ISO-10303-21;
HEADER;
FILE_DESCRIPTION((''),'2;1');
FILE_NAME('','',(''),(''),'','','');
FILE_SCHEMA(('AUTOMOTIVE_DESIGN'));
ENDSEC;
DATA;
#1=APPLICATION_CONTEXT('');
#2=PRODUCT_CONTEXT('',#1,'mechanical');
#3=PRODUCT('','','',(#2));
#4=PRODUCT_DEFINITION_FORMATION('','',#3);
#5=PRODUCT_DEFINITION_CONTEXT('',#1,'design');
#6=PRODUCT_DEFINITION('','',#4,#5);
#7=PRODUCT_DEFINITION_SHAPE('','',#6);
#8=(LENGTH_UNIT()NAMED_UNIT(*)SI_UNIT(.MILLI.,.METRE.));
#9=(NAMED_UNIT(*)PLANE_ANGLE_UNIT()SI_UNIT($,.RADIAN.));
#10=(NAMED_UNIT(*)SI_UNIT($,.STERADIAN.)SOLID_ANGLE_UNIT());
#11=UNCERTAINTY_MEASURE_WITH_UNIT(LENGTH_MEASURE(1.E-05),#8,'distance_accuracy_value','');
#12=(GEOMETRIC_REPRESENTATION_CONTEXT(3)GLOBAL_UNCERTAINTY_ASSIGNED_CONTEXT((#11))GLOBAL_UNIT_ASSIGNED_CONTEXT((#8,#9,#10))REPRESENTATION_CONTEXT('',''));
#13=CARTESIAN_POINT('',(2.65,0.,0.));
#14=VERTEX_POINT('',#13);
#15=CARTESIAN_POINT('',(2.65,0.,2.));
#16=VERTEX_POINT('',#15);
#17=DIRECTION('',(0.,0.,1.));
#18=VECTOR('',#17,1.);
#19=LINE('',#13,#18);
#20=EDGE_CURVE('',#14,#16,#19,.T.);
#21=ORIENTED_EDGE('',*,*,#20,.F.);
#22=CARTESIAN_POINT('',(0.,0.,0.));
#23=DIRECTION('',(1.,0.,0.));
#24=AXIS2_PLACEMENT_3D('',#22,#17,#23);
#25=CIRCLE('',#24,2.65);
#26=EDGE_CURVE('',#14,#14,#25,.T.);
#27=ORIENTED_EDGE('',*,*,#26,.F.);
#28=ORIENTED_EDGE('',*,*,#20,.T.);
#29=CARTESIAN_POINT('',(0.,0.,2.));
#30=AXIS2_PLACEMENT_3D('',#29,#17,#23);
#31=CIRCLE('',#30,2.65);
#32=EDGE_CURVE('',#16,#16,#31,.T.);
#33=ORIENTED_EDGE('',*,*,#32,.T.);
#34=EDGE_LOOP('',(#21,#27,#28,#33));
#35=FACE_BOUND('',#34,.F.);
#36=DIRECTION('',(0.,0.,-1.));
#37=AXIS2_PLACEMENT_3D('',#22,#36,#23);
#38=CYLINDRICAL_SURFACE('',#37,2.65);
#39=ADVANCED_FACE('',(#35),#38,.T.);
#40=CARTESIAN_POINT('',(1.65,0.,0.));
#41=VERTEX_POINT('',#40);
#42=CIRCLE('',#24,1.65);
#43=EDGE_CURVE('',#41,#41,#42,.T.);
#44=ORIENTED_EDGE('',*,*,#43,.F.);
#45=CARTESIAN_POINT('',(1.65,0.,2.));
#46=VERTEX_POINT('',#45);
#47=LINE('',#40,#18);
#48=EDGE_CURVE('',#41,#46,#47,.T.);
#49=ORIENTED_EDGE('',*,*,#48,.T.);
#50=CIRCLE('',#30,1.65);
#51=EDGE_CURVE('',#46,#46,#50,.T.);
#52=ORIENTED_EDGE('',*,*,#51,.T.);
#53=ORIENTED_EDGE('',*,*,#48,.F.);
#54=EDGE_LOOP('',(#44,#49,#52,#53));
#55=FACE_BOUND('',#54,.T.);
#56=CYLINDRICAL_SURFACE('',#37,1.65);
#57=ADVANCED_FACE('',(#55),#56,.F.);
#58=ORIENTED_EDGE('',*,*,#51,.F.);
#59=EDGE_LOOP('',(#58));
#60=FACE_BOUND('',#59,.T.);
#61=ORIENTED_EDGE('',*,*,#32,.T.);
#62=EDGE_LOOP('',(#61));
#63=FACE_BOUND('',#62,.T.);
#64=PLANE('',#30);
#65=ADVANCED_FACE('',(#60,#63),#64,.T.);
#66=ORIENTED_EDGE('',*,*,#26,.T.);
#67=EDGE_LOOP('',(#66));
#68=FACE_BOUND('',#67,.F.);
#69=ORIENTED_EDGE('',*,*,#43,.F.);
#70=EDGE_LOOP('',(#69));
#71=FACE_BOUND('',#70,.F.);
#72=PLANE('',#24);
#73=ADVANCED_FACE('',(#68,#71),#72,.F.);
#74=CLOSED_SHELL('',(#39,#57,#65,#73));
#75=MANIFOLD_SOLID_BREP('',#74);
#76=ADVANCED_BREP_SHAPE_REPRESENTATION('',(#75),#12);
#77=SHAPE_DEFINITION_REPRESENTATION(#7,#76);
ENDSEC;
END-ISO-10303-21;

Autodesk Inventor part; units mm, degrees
ref_plane "YZ Plane" through (0, 0, 0) normal (1, 0, 0) x (0, 1, 0)
ref_plane "XZ Plane" through (0, 0, 0) normal (0, 1, 0) x (-1, 0, 0)
ref_plane "XY Plane" through (0, 0, 0) normal (0, 0, 1) x (1, 0, 0)
sketch "Sketch1" plane through (0, 0, 0) normal (0, 0, 1) x (1, 0, 0)
  circle A0 centre (0, 0) radius 2.65
  circle A1 centre (0, 0) radius 1.65
  dimension "d0" = 3.3
  dimension "d1" = 1
extrude "Extrusion1" add sketch "Sketch1" along normal blind 2
properties part number "holder.rod2.0"
